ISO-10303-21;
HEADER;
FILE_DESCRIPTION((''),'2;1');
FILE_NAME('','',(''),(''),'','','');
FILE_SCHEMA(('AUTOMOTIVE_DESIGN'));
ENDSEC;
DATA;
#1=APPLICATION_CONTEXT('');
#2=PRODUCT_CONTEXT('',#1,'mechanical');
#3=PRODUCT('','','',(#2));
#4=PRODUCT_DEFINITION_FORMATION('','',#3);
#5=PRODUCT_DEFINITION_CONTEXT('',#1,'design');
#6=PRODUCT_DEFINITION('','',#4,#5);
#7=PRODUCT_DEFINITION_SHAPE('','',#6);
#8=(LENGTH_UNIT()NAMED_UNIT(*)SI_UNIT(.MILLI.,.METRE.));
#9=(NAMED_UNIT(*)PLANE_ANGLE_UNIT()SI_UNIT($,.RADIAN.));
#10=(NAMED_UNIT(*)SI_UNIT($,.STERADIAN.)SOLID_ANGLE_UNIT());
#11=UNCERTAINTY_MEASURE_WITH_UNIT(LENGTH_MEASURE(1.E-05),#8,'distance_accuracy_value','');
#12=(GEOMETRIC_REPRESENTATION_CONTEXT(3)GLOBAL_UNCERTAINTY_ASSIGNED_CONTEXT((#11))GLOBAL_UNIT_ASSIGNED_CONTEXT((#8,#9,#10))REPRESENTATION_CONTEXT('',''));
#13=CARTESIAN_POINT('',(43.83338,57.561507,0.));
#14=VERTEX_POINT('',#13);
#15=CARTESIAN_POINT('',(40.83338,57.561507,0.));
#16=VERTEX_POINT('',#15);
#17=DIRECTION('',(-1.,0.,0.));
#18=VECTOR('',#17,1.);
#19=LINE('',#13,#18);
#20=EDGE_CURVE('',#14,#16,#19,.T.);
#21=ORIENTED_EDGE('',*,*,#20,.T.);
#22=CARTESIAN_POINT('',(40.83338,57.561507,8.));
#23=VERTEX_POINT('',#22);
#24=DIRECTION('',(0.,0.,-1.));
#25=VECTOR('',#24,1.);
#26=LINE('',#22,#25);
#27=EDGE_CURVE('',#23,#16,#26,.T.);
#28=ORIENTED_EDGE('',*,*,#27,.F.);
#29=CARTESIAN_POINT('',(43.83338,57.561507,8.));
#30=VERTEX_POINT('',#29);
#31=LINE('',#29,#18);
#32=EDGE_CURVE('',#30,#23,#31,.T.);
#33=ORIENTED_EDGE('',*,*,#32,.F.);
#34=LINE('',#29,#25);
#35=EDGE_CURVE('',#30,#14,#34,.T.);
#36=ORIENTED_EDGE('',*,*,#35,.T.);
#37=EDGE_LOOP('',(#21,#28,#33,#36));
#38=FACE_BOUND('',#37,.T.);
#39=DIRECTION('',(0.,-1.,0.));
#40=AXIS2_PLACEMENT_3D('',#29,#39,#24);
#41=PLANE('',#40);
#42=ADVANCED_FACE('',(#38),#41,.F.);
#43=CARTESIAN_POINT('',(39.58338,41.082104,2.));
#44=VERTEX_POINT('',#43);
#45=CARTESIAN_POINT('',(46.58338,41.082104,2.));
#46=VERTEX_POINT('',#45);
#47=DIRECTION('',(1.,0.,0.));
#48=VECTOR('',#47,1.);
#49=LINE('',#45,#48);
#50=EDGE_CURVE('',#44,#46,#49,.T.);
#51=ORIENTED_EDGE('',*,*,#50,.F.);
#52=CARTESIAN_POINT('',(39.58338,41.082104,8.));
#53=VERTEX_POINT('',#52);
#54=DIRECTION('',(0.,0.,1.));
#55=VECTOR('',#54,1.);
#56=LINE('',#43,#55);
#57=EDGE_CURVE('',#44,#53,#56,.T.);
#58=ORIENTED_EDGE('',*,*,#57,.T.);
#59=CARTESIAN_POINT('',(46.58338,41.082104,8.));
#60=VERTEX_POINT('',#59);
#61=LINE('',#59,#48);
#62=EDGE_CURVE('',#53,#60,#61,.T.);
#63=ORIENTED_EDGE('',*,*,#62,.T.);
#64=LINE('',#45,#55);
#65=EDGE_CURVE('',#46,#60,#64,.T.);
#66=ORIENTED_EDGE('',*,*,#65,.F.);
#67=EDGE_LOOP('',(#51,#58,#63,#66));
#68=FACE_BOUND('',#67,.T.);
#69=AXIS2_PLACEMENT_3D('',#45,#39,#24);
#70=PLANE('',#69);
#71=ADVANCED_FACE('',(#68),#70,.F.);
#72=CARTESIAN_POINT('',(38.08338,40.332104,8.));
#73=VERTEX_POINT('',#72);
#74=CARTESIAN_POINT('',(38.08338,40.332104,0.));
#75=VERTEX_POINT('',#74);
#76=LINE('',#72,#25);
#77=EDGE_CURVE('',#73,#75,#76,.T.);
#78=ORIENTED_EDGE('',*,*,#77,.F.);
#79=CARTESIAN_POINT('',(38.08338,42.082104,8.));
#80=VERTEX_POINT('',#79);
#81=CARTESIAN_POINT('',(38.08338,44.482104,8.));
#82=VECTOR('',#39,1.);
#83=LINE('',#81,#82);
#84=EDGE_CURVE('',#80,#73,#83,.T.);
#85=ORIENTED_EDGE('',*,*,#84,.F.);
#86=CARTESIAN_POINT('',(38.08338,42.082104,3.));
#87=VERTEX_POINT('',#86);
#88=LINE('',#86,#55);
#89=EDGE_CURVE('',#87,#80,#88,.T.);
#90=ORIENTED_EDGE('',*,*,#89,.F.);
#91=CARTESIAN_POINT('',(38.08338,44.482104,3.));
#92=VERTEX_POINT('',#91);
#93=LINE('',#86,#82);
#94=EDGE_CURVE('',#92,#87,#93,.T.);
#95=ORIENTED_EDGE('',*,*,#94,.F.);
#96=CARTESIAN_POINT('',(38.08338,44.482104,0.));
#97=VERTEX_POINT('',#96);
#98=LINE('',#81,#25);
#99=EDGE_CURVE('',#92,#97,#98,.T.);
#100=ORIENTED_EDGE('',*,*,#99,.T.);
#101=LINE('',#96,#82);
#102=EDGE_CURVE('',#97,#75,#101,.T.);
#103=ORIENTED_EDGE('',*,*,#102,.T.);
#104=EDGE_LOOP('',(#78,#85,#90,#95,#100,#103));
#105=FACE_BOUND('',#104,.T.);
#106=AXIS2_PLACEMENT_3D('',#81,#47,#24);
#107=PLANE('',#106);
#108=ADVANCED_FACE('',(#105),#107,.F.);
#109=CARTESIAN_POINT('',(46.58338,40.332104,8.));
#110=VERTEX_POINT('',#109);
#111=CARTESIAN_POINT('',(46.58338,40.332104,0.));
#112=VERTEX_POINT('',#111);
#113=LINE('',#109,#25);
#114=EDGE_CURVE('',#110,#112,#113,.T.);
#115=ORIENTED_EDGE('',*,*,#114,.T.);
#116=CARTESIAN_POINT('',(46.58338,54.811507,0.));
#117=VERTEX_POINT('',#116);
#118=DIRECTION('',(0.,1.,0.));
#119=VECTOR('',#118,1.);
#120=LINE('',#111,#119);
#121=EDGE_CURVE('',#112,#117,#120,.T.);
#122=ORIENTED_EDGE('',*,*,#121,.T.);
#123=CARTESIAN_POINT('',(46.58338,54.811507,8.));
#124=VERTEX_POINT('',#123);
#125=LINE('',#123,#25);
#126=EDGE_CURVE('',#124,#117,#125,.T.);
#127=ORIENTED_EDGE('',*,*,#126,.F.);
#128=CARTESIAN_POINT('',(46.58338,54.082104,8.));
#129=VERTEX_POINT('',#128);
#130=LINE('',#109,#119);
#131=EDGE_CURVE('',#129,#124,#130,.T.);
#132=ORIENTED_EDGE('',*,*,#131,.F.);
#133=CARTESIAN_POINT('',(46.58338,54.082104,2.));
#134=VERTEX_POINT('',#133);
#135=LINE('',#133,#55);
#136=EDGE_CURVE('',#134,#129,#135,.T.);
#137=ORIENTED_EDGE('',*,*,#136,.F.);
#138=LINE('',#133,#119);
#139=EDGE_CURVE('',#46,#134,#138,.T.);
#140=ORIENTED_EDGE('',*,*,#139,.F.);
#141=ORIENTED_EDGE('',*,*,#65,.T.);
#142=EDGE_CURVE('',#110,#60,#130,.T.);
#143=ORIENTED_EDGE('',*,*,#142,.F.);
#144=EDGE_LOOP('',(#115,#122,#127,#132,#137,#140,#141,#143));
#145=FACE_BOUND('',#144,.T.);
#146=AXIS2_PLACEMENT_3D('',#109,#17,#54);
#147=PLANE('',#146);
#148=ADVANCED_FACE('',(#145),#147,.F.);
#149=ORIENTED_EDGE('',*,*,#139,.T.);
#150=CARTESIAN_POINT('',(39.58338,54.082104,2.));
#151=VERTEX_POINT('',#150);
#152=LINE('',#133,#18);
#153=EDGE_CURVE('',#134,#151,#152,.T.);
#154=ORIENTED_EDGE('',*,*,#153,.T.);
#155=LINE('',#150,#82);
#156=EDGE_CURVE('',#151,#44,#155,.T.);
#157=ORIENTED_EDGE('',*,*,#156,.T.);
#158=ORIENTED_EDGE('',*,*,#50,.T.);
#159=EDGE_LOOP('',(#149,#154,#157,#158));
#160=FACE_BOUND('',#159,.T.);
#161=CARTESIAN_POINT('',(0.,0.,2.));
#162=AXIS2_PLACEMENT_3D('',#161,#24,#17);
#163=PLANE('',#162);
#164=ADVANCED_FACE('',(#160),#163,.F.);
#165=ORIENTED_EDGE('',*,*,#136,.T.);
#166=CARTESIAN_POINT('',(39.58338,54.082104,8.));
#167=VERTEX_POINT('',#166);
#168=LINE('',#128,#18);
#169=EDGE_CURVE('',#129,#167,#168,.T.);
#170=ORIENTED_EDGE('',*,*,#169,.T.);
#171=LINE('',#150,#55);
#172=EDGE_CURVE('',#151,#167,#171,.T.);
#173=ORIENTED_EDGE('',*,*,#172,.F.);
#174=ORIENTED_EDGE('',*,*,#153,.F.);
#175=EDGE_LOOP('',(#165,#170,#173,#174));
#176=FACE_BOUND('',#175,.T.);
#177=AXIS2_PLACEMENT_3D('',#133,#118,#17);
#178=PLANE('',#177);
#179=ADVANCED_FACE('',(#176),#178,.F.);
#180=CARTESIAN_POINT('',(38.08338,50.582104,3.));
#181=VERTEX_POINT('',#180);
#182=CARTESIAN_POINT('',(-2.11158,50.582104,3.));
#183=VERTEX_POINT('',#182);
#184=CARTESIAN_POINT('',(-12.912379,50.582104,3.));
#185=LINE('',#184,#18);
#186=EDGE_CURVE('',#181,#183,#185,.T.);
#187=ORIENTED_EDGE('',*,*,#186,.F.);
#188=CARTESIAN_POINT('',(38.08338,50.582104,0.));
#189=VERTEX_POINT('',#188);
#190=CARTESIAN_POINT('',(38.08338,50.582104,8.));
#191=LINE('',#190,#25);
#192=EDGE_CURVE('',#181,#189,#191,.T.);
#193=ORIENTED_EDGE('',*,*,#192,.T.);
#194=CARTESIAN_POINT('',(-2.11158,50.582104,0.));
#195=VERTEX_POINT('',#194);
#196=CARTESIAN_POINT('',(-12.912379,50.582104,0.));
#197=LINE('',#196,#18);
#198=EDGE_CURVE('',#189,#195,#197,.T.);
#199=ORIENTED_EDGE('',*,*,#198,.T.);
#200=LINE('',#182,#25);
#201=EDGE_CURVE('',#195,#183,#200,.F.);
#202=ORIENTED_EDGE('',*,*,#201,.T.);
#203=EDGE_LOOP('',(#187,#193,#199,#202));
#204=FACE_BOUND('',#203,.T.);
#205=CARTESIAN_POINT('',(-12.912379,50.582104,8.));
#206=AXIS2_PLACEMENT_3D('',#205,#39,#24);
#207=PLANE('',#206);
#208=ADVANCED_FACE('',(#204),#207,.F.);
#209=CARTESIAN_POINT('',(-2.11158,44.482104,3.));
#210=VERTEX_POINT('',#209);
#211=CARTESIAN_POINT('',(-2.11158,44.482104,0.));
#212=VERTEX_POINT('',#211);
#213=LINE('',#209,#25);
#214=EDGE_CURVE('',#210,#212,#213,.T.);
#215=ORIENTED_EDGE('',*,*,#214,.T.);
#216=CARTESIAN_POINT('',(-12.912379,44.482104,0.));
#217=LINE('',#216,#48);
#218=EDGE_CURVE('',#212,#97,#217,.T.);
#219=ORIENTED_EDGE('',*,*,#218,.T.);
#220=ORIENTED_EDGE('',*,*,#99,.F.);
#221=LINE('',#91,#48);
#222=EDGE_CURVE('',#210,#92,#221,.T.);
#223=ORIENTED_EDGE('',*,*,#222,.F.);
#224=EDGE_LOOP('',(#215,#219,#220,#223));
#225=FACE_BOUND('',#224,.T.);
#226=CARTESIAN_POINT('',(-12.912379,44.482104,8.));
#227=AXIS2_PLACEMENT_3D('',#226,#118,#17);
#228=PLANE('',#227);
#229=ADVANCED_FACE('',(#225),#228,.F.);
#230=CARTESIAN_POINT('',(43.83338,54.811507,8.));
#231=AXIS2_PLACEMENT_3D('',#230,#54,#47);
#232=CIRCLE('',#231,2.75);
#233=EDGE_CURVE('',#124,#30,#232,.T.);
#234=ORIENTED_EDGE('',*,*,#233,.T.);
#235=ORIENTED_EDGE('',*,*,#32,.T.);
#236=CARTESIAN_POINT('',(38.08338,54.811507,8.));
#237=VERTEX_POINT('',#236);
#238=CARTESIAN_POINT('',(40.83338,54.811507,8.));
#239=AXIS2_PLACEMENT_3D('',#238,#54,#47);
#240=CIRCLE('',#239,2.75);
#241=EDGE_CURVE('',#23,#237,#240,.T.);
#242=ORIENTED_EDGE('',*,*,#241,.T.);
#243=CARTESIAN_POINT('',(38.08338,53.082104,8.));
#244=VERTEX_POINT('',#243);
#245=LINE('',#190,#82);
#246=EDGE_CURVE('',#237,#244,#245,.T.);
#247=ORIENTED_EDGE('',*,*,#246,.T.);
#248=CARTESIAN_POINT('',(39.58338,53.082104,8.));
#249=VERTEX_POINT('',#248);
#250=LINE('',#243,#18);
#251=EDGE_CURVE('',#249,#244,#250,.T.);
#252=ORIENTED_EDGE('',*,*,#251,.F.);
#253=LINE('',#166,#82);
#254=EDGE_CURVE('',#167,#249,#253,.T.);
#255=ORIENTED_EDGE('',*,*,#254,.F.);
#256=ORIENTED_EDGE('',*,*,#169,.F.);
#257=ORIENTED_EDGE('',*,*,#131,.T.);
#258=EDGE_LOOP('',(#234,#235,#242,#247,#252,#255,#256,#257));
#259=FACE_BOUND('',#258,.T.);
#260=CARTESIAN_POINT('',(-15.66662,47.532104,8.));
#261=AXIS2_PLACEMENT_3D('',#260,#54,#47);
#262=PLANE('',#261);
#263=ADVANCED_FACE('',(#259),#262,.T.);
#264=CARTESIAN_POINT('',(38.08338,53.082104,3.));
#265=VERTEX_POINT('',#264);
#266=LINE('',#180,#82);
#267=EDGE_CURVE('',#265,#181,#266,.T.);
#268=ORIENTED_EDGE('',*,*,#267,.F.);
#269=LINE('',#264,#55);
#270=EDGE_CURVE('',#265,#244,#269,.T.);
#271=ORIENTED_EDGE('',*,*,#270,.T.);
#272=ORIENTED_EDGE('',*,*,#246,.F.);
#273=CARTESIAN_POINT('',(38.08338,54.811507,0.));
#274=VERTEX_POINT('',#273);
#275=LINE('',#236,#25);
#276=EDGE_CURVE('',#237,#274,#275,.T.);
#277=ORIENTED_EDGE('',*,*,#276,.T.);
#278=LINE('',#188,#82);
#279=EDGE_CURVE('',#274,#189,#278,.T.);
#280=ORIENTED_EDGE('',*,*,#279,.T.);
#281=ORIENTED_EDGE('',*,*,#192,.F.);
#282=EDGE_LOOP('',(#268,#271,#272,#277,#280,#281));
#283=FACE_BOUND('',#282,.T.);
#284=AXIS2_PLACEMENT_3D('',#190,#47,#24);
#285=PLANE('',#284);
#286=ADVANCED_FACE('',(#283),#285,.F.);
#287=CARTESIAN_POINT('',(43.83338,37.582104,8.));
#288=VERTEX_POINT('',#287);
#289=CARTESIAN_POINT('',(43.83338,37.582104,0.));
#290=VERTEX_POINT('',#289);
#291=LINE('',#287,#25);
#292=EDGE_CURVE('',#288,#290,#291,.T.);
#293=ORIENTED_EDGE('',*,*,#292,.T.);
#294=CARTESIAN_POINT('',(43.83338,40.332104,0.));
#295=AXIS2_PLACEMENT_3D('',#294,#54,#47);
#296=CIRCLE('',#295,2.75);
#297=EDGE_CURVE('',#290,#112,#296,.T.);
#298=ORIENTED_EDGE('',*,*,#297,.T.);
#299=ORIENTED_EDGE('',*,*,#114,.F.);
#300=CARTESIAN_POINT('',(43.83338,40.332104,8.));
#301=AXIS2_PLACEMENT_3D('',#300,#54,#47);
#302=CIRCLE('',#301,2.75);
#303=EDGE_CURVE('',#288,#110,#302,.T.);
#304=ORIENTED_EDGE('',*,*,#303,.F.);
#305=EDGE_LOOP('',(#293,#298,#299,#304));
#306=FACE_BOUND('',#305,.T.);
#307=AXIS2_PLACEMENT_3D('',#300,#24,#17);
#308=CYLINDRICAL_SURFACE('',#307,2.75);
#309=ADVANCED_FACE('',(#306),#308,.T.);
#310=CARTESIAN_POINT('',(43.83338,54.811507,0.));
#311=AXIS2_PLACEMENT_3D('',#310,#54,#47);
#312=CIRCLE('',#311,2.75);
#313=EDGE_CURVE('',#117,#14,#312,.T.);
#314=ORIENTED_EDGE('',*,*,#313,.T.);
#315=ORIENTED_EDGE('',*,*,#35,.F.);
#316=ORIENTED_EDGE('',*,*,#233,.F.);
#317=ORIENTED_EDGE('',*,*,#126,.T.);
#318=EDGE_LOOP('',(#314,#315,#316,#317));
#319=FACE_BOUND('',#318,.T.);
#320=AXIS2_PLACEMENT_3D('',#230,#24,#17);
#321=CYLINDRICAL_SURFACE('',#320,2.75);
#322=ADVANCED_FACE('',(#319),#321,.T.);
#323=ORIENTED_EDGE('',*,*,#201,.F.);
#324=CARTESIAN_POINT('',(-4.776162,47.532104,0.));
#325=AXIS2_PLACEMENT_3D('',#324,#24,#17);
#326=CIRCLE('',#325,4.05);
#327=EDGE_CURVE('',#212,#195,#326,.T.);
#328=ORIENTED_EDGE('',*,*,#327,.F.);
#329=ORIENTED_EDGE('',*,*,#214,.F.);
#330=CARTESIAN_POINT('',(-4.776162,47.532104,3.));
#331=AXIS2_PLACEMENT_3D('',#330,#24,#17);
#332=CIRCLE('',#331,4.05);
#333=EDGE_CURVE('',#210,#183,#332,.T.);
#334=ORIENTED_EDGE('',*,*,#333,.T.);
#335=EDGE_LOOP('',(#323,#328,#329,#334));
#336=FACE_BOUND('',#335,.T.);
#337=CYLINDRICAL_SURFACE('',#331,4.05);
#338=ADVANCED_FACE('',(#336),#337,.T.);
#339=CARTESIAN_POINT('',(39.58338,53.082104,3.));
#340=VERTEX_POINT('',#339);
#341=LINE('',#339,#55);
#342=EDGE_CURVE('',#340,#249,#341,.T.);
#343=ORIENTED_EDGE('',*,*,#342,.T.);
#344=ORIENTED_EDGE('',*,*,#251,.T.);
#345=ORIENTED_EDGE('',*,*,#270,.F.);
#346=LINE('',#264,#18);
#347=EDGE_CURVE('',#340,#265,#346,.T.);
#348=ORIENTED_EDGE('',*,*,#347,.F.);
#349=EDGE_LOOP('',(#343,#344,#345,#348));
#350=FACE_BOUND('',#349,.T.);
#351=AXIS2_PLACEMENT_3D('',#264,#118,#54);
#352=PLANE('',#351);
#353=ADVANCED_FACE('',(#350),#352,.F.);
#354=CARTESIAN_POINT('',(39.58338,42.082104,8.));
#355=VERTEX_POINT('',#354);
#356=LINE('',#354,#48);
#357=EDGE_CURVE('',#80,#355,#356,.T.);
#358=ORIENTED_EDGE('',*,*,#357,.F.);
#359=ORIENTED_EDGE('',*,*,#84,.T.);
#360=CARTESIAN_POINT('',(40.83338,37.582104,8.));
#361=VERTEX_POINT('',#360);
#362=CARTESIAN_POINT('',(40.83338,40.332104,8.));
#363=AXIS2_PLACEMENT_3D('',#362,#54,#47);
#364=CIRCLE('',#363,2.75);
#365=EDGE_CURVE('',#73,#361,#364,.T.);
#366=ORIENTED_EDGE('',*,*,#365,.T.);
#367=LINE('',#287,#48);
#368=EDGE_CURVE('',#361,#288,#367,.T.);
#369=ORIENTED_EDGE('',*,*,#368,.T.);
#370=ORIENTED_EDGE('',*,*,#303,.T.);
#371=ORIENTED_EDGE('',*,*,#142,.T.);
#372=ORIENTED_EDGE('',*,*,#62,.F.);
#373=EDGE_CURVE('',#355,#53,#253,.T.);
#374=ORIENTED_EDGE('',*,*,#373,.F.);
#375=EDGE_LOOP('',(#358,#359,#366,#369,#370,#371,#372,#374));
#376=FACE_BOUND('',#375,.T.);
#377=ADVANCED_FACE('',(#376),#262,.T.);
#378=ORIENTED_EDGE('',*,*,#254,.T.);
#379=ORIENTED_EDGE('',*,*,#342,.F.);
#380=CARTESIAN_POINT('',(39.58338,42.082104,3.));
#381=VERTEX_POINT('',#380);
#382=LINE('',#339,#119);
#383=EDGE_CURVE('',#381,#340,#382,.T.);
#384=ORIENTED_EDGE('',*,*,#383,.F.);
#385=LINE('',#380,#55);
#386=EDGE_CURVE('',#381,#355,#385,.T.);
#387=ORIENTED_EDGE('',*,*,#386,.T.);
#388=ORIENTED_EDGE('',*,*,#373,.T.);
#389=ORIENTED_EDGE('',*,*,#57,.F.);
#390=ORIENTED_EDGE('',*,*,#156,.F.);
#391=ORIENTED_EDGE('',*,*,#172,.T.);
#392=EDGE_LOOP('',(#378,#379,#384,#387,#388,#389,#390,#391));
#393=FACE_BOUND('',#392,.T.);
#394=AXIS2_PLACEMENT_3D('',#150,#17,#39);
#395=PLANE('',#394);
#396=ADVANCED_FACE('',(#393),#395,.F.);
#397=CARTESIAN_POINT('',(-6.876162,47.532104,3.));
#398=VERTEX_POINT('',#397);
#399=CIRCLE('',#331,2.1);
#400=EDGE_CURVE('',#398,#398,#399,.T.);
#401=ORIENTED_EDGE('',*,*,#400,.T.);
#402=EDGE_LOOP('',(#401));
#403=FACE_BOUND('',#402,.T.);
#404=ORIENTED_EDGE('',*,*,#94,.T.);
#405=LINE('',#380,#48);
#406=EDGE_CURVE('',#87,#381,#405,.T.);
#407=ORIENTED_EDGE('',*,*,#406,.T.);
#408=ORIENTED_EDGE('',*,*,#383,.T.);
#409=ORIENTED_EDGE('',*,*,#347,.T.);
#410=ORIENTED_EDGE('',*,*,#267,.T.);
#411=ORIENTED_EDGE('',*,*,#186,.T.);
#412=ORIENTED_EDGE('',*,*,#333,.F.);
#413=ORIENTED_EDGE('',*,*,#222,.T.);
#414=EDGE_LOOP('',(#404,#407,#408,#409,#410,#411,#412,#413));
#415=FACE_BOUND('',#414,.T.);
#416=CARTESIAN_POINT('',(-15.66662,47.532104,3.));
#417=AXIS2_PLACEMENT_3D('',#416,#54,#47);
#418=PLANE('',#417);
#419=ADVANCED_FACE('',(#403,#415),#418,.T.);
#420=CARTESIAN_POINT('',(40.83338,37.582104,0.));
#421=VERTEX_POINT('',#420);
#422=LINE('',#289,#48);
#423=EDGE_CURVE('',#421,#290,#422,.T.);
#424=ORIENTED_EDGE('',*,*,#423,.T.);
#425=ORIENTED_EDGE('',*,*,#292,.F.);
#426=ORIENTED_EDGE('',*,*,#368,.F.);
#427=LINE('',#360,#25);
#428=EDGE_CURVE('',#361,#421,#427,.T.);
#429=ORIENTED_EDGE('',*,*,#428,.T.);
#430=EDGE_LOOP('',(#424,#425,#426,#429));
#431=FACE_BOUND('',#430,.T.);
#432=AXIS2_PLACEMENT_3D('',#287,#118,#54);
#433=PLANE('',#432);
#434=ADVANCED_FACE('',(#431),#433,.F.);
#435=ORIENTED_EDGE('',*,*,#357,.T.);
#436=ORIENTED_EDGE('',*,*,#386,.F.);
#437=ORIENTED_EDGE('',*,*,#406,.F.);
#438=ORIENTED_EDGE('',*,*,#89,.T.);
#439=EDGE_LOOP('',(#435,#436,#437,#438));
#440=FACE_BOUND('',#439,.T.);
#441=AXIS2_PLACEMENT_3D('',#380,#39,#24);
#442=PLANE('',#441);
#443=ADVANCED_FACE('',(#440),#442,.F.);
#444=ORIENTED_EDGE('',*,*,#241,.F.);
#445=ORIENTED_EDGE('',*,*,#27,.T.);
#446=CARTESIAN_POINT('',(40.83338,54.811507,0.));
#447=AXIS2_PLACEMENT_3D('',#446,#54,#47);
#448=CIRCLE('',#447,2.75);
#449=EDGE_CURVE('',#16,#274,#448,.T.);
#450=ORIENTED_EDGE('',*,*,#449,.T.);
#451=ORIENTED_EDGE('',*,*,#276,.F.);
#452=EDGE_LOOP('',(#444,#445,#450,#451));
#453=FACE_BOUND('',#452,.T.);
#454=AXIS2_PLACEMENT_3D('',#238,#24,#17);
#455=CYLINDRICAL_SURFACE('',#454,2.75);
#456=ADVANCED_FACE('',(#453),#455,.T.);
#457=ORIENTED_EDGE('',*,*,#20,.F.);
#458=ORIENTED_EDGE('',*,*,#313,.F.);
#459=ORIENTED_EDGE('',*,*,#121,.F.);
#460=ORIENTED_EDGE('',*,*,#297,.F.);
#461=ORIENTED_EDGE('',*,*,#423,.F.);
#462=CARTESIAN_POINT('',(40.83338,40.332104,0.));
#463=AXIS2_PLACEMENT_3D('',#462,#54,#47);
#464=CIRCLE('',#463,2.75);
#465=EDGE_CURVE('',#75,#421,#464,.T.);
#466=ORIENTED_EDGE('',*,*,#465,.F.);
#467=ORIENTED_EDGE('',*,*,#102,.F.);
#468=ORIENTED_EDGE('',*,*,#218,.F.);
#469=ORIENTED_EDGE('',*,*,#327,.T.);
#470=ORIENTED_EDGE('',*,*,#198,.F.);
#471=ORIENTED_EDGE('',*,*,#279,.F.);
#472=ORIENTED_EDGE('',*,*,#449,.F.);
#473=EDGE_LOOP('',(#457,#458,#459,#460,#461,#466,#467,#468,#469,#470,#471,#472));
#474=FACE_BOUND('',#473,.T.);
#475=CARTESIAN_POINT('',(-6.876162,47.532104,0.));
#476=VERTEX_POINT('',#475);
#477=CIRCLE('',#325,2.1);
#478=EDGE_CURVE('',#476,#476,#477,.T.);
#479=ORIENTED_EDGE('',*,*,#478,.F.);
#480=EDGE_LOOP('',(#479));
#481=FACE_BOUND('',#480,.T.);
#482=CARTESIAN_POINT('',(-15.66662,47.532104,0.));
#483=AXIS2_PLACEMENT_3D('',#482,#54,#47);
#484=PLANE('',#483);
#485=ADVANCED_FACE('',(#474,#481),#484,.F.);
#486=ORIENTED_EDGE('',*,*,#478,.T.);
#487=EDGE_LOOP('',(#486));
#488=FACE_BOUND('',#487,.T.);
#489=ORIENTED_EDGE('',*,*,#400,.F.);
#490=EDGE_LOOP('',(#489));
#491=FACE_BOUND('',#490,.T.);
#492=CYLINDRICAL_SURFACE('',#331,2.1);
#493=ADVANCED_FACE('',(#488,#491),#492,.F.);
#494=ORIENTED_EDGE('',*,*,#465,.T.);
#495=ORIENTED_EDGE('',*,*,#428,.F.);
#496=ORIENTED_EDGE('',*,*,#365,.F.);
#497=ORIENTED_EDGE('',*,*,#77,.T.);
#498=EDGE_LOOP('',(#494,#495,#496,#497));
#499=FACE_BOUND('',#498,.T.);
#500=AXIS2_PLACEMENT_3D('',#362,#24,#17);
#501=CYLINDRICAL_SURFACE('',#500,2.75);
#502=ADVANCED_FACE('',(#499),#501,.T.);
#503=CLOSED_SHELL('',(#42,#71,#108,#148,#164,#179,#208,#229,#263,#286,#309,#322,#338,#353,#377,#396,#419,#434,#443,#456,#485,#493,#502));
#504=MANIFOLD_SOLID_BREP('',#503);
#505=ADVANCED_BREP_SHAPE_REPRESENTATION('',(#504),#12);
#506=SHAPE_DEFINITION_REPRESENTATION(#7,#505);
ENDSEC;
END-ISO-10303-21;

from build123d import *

# Parameters (mm, degrees)
CROQUIS5_R              = 2.552588688
SALIENTE_EXTRUIR4_DEPTH = 8
CORTAR_EXTRUIR2_START   = -5
CROQUIS6_R              = 2.552588688
CORTAR_EXTRUIR2_DEPTH   = 5
CROQUIS7_W              = 7
CROQUIS7_H              = 13
CORTAR_EXTRUIR3_DEPTH   = 6
CROQUIS8_W              = 15
CROQUIS8_H              = 30
CORTAR_EXTRUIR4_DEPTH   = 10
CROQUIS9_R              = 4.05
SALIENTE_EXTRUIR5_DEPTH = 3
CROQUIS10_R             = 2.1
CORTAR_EXTRUIR5_DEPTH   = 3


with BuildPart() as part:
    # Croquis5 → Saliente-Extruir4 (new body)
    with BuildSketch(Plane.XY):
        with BuildLine():
            Line((-12.912379316, 50.582104264), (38.083380168, 50.582104264))
            Line((38.083380168, 50.582104264), (38.083380168, 54.811507329))
            ThreePointArc((38.083380168, 54.811507329), (38.888836519, 56.756050977), (40.833380168, 57.561507329))
            Line((40.833380168, 57.561507329), (43.833380168, 57.561507329))
            ThreePointArc((43.833380168, 57.561507329), (45.777923816, 56.756050977), (46.583380168, 54.811507329))
            Line((46.583380168, 54.811507329), (46.583380168, 40.332104264))
            ThreePointArc((46.583380168, 40.332104264), (45.777923816, 38.387560616), (43.833380168, 37.582104264))
            Line((43.833380168, 37.582104264), (40.833380168, 37.582104264))
            ThreePointArc((40.833380168, 37.582104264), (38.888836519, 38.387560616), (38.083380168, 40.332104264))
            Line((38.083380168, 40.332104264), (38.083380168, 44.482104264))
            Line((38.083380168, 44.482104264), (-12.912379316, 44.482104264))
            ThreePointArc((-12.912379316, 44.482104264), (-19.776162486, 47.532104264), (-12.912379316, 50.582104264))
        make_face()
        with Locations((-15.666619832, 47.532104264)):
            Circle(CROQUIS5_R, mode=Mode.SUBTRACT)
    extrude(amount=SALIENTE_EXTRUIR4_DEPTH)

    # Croquis6 → Cortar-Extruir2 (cut)
    with BuildSketch(Plane.XY.offset(8).offset(CORTAR_EXTRUIR2_START)):
        with BuildLine():
            Line((-12.912379316, 50.582104264), (38.083380168, 50.582104264))
            Line((38.083380168, 50.582104264), (38.083380168, 53.082104264))
            Line((38.083380168, 53.082104264), (39.583380168, 53.082104264))
            Line((39.583380168, 53.082104264), (39.583380168, 42.082104264))
            Line((39.583380168, 42.082104264), (38.083380168, 42.082104264))
            Line((38.083380168, 42.082104264), (38.083380168, 44.482104264))
            Line((38.083380168, 44.482104264), (-12.912379316, 44.482104264))
            ThreePointArc((-12.912379316, 44.482104264), (-19.776162486, 47.532104264), (-12.912379316, 50.582104264))
        make_face()
        with Locations((-15.666619832, 47.532104264)):
            Circle(CROQUIS6_R, mode=Mode.SUBTRACT)
    extrude(amount=CORTAR_EXTRUIR2_DEPTH, mode=Mode.SUBTRACT)

    # Croquis7 → Cortar-Extruir3 (cut)
    with BuildSketch(Plane.XY.offset(8)):
        with Locations((43.083380168, 47.582104264)):
            Rectangle(CROQUIS7_W, CROQUIS7_H)
    extrude(amount=-CORTAR_EXTRUIR3_DEPTH, mode=Mode.SUBTRACT)

    # Croquis8 → Cortar-Extruir4 (cut)
    with BuildSketch(Plane(origin=(0, 0, 0), x_dir=(-1, 0, 0), z_dir=(0, 0, -1))):
        with Locations((12.276162486, 38.194032094)):
            Rectangle(CROQUIS8_W, CROQUIS8_H)
    extrude(amount=-CORTAR_EXTRUIR4_DEPTH, mode=Mode.SUBTRACT)

    # Croquis9 → Saliente-Extruir5 (add)
    with BuildSketch(Plane(origin=(0, 0, 0), x_dir=(-1, 0, 0), z_dir=(0, 0, -1))):
        with Locations((4.776162486, 47.532104264)):
            Circle(CROQUIS9_R)
    extrude(amount=-SALIENTE_EXTRUIR5_DEPTH)

    # Croquis10 → Cortar-Extruir5 (cut)
    with BuildSketch(Plane(origin=(0, 0, 0), x_dir=(-1, 0, 0), z_dir=(0, 0, -1))):
        with Locations((4.776162486, 47.532104264)):
            Circle(CROQUIS10_R)
    extrude(amount=-CORTAR_EXTRUIR5_DEPTH, mode=Mode.SUBTRACT)


solid = part.part
